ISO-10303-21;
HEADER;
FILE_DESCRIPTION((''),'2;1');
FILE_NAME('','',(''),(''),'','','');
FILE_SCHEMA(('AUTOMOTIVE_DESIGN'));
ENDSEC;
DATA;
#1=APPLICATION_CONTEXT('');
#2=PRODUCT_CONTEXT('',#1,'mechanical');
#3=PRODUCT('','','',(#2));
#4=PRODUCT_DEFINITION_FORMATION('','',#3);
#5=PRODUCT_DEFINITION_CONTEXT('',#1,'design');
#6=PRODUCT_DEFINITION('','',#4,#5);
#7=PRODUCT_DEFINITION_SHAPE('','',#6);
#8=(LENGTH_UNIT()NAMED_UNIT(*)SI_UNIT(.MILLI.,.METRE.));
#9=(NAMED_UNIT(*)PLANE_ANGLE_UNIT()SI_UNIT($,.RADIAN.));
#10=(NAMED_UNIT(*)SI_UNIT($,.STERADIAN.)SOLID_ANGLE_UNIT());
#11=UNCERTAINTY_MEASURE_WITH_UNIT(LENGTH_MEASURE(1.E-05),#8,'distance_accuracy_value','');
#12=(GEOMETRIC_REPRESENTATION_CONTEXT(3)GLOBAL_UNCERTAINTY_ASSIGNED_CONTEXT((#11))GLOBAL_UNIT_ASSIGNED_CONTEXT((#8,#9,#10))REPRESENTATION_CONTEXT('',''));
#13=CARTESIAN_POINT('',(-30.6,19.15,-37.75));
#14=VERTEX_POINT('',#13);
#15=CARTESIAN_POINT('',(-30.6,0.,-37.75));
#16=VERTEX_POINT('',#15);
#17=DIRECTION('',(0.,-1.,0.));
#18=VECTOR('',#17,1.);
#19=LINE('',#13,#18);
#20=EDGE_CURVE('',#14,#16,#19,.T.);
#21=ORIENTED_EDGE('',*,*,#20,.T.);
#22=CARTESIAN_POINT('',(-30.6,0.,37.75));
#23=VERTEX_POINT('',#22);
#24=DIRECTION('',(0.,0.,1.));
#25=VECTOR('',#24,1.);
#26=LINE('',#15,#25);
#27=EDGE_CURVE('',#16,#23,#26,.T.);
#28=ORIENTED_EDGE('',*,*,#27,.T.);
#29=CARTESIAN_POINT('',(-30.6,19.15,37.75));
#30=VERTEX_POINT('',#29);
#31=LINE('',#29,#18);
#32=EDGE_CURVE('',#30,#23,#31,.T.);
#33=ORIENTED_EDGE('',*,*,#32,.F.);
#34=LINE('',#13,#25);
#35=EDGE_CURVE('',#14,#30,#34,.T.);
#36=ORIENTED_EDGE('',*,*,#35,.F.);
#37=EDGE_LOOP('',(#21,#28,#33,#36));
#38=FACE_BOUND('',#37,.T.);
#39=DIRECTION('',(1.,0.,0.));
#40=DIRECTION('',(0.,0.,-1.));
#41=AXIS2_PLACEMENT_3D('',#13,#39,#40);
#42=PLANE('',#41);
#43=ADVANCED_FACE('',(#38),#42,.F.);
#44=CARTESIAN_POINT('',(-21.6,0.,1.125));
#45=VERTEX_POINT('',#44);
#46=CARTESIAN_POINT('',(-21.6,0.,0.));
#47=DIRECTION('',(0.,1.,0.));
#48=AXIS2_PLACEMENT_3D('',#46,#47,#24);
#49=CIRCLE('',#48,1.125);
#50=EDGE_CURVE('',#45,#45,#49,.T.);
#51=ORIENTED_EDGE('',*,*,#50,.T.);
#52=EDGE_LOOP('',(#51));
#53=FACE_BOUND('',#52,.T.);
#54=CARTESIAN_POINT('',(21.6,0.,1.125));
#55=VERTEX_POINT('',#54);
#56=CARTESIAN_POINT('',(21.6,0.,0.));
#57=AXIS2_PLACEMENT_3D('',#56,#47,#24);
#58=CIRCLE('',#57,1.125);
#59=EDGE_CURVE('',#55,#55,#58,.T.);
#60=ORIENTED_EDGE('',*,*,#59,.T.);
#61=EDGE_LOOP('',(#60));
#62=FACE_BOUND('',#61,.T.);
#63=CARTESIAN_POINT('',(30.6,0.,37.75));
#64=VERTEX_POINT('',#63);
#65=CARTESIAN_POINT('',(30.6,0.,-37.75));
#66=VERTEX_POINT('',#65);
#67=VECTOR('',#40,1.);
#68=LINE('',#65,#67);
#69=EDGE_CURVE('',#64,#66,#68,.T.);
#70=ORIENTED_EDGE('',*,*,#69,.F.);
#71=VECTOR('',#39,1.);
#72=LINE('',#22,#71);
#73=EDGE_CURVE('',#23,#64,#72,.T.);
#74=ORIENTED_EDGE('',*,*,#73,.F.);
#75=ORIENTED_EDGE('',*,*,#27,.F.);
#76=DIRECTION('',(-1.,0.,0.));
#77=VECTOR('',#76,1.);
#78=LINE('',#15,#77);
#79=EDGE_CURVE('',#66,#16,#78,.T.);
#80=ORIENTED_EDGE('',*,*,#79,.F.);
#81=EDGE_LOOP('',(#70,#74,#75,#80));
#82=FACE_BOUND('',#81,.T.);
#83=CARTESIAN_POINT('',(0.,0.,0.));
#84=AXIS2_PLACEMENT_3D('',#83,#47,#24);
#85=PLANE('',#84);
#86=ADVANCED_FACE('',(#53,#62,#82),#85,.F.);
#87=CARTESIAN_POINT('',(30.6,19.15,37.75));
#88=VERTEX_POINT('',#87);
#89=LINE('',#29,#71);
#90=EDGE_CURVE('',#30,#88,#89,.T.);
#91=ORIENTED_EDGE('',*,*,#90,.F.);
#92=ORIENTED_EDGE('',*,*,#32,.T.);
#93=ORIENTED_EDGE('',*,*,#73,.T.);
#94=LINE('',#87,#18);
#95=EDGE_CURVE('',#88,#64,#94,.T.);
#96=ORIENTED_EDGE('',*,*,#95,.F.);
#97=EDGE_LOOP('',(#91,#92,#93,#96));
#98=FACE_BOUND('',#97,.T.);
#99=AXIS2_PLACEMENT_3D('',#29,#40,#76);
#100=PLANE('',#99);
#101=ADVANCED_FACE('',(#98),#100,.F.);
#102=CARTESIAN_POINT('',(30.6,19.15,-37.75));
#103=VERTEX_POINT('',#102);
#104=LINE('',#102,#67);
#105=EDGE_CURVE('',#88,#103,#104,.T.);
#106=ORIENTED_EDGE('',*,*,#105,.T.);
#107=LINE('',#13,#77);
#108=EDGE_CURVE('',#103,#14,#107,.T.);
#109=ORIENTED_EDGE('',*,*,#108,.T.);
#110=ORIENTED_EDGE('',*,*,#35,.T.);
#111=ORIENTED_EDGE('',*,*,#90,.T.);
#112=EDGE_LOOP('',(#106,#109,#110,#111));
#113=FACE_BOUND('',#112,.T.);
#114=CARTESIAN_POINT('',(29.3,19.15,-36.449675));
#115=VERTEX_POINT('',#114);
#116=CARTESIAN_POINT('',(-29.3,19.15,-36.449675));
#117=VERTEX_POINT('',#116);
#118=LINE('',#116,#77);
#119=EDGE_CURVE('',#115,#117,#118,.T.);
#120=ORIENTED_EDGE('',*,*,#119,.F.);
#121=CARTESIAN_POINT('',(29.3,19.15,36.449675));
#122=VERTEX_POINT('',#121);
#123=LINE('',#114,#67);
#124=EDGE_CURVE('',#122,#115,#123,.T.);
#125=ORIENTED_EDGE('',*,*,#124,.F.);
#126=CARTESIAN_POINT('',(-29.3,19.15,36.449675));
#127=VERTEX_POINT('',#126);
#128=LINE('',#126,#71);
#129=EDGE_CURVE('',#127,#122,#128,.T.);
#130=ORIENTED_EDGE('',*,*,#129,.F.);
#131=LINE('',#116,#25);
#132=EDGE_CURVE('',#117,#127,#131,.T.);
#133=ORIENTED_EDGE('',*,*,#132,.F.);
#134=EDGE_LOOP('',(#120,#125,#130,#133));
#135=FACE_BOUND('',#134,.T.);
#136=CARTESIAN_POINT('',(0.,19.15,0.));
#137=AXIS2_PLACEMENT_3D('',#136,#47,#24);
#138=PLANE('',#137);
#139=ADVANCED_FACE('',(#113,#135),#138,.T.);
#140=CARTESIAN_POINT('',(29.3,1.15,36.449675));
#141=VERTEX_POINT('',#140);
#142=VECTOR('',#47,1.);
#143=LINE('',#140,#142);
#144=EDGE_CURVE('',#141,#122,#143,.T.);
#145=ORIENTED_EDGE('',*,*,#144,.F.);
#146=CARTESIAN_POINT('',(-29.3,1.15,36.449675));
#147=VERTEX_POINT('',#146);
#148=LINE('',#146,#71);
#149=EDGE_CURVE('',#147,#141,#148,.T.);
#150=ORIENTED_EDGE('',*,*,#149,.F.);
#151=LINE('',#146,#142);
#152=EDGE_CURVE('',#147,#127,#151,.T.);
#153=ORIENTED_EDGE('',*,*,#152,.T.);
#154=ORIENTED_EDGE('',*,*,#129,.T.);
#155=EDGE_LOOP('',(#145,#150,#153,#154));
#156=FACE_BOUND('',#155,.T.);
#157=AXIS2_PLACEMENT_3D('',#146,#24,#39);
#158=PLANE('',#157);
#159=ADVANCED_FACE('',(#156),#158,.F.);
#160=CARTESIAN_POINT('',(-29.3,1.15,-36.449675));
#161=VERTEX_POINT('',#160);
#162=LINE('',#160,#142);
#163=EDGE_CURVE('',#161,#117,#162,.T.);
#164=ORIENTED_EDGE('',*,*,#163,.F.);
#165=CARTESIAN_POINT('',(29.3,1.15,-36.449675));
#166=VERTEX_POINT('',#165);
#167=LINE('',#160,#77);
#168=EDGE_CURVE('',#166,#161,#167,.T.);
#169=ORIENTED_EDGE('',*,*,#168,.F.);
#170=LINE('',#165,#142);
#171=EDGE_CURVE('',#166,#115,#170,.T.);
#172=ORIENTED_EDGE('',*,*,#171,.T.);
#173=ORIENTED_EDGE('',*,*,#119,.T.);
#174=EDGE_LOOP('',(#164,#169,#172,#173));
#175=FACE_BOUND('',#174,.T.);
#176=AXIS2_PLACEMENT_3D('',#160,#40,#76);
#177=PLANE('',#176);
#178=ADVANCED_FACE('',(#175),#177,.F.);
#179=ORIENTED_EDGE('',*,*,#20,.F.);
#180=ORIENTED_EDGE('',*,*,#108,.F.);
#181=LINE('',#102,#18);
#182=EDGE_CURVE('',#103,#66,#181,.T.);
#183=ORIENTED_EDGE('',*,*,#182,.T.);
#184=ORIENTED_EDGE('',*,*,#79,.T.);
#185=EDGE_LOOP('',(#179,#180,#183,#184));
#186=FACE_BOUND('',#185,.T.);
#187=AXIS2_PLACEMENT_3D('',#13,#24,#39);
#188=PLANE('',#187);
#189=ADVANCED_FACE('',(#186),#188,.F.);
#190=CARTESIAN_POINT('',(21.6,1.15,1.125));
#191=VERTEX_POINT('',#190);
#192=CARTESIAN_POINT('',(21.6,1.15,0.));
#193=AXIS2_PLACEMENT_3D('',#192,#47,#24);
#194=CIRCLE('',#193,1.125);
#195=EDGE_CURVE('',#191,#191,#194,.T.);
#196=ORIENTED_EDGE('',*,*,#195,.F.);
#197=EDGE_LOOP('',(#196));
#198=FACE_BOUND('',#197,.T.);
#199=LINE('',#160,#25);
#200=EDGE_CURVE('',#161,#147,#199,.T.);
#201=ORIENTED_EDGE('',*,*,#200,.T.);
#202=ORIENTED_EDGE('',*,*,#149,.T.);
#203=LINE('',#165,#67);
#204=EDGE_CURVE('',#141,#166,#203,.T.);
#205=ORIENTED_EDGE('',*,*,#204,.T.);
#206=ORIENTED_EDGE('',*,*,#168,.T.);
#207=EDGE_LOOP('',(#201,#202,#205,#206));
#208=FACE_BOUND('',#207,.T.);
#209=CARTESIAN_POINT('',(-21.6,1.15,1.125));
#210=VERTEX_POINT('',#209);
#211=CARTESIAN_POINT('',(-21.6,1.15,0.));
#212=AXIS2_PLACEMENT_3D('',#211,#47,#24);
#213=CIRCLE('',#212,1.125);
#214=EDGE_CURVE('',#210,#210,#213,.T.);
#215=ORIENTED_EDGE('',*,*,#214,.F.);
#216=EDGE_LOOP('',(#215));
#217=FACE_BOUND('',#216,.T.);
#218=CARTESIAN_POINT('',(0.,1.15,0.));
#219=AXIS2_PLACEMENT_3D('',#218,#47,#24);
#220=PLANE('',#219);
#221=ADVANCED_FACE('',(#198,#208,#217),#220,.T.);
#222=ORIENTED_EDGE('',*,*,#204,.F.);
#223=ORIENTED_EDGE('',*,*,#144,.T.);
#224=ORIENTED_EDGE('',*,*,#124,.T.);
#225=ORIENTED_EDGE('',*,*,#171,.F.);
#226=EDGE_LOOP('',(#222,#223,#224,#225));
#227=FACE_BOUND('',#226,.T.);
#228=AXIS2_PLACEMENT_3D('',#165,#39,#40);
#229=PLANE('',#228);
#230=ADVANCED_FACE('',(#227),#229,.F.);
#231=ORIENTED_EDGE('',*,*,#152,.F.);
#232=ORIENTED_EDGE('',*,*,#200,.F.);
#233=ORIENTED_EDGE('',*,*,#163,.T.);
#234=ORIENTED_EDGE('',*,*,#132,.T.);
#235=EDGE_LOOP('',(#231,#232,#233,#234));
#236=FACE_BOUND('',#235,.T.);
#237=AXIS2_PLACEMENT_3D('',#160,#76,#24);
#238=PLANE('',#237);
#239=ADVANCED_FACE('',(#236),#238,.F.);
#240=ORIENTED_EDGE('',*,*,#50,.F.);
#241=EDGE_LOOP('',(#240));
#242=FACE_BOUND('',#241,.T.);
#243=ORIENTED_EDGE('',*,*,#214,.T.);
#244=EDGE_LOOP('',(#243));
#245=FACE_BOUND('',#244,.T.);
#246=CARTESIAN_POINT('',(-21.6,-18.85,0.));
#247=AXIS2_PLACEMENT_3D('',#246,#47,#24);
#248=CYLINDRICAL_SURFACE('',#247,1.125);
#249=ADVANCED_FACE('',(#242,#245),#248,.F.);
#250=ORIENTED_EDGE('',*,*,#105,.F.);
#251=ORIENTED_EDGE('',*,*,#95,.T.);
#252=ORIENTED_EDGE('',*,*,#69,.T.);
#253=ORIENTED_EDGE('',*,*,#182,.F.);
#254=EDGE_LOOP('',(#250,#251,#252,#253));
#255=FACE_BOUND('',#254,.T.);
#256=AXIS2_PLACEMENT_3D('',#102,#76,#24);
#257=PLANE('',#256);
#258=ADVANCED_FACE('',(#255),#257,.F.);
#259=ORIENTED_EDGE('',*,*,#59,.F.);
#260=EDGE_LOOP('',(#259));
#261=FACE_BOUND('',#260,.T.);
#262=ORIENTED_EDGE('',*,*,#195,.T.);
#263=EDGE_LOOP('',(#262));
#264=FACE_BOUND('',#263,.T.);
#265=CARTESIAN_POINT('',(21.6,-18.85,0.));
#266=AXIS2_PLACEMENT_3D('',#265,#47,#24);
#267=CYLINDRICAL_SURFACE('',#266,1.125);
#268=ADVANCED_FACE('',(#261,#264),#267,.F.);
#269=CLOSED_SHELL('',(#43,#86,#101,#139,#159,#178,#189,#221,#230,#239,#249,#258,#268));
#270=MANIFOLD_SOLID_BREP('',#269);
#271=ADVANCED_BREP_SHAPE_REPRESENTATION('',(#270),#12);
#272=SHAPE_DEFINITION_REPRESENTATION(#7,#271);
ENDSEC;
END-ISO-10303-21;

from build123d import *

# Parameters (mm, degrees)
SKETCH1_W           = 61.2
SKETCH1_H           = 75.5
BOSS_EXTRUDE1_DEPTH = 19.15
SKETCH2_W           = 58.6
SKETCH2_H           = 72.89934915
CUT_EXTRUDE1_DEPTH  = 18
SKETCH3_R           = 1.125
CUT_EXTRUDE2_DEPTH  = 20


with BuildPart() as part:
    # Sketch1 → Boss-Extrude1 (new body)
    with BuildSketch(Plane(origin=(0, 0, 0), x_dir=(1, 0, 0), z_dir=(0, 1, 0))):
        Rectangle(SKETCH1_W, SKETCH1_H)
    extrude(amount=BOSS_EXTRUDE1_DEPTH)

    # Sketch2 → Cut-Extrude1 (cut)
    with BuildSketch(Plane(origin=(0, 19.15, 0), x_dir=(1, 0, 0), z_dir=(0, 1, 0))):
        Rectangle(SKETCH2_W, SKETCH2_H)
    extrude(amount=-CUT_EXTRUDE1_DEPTH, mode=Mode.SUBTRACT)

    # Sketch3 → Cut-Extrude2 (cut)
    with BuildSketch(Plane(origin=(0, 1.15, 0), x_dir=(1, 0, 0), z_dir=(0, 1, 0))):
        with Locations(Location((-21.6, 0, 0), (0, 0, 270))):
            Circle(SKETCH3_R)
        with Locations(Location((21.6, 0, 0), (0, 0, 270))):
            Circle(SKETCH3_R)
    extrude(amount=-CUT_EXTRUDE2_DEPTH, mode=Mode.SUBTRACT)


solid = part.part
